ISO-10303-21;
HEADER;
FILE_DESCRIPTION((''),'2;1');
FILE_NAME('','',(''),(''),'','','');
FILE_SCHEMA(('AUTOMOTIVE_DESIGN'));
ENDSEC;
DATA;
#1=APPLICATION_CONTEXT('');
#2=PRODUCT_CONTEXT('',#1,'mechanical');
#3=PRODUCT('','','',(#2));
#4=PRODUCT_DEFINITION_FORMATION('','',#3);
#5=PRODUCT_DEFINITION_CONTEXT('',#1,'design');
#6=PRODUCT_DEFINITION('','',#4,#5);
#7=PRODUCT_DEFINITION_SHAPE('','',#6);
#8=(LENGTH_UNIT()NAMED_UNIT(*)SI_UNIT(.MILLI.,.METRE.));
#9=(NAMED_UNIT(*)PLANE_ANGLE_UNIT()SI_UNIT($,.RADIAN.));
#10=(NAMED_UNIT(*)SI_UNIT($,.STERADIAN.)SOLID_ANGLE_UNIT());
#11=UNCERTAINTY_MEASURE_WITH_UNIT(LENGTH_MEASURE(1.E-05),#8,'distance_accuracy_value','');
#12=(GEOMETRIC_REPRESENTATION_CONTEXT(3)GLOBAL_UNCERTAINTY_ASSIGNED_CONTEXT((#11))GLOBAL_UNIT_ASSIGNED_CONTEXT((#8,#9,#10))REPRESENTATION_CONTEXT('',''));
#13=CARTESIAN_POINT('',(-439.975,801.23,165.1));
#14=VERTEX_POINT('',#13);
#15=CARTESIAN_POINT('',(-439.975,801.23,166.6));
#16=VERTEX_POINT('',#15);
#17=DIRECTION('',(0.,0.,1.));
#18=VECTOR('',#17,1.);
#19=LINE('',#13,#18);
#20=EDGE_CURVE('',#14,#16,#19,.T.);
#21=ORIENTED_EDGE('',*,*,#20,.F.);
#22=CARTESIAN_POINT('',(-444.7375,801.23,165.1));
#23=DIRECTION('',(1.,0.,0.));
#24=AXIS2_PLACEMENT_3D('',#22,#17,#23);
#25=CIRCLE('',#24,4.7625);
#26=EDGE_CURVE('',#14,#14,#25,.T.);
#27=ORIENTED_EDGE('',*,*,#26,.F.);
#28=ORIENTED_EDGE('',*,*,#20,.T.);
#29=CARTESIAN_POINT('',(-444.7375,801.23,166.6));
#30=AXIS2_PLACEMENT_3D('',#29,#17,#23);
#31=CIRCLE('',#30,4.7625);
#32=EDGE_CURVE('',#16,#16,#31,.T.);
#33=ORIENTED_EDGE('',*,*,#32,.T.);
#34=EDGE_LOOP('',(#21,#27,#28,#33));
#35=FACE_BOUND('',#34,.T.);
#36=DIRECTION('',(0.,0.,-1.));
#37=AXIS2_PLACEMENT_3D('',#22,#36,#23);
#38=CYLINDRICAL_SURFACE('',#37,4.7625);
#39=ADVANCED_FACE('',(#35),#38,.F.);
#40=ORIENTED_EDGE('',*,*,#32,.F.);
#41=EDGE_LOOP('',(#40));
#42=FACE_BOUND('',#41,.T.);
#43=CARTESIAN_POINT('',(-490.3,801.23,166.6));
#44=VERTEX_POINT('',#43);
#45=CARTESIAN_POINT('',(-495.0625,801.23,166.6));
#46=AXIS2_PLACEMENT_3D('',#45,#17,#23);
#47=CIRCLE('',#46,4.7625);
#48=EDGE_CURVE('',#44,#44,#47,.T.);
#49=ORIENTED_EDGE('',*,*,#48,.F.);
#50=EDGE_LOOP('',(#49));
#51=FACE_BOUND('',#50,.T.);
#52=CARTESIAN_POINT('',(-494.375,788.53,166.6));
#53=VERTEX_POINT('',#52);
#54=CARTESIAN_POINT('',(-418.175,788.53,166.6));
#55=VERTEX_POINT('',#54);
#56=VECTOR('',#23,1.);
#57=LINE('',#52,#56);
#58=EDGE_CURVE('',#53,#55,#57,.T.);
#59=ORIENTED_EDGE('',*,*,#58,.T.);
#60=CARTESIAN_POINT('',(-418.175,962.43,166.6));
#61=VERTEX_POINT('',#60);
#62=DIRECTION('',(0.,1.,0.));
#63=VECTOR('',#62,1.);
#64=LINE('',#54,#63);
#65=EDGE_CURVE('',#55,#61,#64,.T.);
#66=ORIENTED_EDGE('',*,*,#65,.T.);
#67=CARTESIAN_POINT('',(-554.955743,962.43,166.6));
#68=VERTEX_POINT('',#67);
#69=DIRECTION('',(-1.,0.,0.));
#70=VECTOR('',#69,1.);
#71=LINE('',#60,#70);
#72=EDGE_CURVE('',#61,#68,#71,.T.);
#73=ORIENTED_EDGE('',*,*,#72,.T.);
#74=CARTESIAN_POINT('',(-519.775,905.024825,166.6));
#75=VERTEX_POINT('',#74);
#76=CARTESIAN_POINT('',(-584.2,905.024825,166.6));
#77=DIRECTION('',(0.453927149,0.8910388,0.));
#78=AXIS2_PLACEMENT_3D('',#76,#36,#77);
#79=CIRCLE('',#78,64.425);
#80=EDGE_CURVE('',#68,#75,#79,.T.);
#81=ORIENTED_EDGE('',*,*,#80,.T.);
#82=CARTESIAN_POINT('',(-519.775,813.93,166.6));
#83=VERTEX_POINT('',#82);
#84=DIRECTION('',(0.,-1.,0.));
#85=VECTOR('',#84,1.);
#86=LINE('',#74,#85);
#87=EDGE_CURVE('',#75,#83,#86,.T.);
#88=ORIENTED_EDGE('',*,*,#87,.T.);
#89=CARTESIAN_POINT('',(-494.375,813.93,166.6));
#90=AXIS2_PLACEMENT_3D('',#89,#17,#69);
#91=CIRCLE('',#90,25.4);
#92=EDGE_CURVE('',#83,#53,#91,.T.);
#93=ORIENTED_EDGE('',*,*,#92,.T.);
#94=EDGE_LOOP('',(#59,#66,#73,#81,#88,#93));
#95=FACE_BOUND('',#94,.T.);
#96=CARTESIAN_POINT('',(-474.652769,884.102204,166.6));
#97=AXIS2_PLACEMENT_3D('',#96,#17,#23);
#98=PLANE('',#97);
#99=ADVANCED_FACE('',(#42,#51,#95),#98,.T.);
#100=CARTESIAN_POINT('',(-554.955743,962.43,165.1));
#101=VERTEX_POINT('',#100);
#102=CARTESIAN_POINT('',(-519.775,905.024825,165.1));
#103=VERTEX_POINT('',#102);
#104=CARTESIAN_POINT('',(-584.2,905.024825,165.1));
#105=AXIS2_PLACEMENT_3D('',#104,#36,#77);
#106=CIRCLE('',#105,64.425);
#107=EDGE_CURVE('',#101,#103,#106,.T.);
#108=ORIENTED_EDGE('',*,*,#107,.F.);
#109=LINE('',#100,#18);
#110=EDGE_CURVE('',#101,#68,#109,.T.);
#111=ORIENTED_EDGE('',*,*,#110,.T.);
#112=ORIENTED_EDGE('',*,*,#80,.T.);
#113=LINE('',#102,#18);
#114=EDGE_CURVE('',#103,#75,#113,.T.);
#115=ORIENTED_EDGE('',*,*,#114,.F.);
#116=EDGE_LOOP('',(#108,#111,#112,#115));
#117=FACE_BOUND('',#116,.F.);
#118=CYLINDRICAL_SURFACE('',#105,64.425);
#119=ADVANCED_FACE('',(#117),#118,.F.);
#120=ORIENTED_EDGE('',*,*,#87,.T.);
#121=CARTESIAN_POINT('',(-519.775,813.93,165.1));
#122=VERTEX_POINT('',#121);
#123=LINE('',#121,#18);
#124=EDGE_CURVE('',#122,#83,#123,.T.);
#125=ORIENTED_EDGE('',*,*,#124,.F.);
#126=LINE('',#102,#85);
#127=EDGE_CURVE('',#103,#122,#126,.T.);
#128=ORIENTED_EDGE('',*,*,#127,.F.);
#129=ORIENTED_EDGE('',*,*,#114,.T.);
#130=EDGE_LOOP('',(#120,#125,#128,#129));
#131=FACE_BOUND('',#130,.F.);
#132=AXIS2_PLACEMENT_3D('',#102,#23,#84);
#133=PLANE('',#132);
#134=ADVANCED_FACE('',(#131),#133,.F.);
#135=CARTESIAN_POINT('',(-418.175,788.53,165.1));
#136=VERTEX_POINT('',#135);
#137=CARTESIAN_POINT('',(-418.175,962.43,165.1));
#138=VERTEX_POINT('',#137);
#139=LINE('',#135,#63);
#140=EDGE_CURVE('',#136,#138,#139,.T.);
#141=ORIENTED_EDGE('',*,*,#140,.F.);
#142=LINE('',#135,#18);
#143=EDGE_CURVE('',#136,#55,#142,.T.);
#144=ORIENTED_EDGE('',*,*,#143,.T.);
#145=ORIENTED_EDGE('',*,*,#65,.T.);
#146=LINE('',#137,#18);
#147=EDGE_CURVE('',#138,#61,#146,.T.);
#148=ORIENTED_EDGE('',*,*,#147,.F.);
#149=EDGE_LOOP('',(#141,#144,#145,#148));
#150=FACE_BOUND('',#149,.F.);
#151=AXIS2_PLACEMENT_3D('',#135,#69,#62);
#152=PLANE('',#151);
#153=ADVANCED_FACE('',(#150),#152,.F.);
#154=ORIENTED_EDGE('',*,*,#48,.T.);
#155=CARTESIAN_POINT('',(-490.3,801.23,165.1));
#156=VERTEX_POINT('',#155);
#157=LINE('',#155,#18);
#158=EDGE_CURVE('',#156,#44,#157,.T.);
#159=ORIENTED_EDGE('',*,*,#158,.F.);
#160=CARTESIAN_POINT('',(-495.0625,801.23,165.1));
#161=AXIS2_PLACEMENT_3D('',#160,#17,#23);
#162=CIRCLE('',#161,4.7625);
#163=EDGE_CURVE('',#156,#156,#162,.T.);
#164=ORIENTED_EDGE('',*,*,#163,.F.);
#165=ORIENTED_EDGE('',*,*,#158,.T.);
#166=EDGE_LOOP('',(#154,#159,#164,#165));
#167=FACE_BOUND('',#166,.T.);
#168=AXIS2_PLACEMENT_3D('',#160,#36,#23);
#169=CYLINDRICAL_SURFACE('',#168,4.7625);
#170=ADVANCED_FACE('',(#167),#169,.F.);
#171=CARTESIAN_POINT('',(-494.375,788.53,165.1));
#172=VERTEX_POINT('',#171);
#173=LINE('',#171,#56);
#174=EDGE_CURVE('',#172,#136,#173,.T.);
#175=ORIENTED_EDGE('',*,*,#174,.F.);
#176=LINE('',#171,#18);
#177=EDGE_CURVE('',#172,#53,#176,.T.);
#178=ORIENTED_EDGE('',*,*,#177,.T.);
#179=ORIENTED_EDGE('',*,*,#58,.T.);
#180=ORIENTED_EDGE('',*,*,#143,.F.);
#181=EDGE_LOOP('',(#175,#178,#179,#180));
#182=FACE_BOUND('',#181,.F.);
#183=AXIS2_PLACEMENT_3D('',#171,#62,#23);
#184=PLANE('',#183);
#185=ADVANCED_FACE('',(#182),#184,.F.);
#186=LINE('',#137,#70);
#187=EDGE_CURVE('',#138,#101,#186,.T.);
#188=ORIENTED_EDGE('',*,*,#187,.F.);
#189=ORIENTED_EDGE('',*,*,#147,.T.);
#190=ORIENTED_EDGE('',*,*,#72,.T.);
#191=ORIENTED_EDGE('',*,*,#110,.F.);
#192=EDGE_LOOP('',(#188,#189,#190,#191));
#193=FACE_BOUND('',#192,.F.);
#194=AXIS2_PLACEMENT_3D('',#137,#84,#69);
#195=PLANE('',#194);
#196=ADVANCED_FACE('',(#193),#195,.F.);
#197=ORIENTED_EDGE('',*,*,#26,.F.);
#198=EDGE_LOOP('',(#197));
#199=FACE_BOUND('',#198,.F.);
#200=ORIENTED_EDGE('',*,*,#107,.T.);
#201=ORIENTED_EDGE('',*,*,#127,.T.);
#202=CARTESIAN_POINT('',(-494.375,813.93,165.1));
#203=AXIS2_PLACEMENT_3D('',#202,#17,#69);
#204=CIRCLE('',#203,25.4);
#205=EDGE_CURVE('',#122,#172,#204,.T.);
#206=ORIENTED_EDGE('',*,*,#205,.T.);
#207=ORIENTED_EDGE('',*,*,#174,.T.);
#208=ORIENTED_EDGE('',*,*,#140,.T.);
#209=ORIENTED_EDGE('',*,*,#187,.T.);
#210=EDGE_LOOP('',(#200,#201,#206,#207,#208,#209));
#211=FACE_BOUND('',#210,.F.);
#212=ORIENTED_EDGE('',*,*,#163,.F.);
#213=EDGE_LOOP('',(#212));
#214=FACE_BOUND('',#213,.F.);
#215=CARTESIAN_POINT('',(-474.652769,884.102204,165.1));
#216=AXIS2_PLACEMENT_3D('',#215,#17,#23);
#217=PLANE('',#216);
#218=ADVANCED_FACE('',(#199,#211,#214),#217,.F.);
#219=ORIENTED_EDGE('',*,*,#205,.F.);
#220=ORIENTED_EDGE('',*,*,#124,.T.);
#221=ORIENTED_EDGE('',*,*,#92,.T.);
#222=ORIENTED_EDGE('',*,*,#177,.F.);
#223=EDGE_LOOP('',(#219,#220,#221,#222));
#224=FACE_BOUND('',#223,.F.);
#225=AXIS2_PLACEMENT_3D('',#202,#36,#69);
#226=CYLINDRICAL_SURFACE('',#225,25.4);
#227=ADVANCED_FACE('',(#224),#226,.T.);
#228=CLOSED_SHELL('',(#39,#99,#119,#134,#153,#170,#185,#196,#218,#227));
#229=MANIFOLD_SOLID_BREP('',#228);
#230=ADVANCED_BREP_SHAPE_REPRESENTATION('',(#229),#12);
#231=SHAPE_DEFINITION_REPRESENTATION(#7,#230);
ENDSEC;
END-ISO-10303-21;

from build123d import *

# Parameters (mm, degrees)
SKETCH1_R      = 4.7625
EXTRUDE1_DEPTH = 1.5


with BuildPart() as part:
    # Sketch1 → Extrude1 (new body)
    with BuildSketch(Plane.XY.offset(165.1)):
        with BuildLine():
            Line((-418.175, 962.43), (-554.955743448, 962.43))
            ThreePointArc((-554.955743448, 962.43), (-529.269854117, 938.688748088), (-519.775, 905.024825288))
            Line((-519.775, 905.024825288), (-519.775, 813.93))
            ThreePointArc((-519.775, 813.93), (-512.335512242, 795.969487758), (-494.375, 788.53))
            Line((-494.375, 788.53), (-418.175, 788.53))
            Line((-418.175, 788.53), (-418.175, 962.43))
        make_face()
        with Locations((-444.7375, 801.23)):
            Circle(SKETCH1_R, mode=Mode.SUBTRACT)
        with Locations((-495.0625, 801.23)):
            Circle(SKETCH1_R, mode=Mode.SUBTRACT)
    extrude(amount=EXTRUDE1_DEPTH)


solid = part.part
